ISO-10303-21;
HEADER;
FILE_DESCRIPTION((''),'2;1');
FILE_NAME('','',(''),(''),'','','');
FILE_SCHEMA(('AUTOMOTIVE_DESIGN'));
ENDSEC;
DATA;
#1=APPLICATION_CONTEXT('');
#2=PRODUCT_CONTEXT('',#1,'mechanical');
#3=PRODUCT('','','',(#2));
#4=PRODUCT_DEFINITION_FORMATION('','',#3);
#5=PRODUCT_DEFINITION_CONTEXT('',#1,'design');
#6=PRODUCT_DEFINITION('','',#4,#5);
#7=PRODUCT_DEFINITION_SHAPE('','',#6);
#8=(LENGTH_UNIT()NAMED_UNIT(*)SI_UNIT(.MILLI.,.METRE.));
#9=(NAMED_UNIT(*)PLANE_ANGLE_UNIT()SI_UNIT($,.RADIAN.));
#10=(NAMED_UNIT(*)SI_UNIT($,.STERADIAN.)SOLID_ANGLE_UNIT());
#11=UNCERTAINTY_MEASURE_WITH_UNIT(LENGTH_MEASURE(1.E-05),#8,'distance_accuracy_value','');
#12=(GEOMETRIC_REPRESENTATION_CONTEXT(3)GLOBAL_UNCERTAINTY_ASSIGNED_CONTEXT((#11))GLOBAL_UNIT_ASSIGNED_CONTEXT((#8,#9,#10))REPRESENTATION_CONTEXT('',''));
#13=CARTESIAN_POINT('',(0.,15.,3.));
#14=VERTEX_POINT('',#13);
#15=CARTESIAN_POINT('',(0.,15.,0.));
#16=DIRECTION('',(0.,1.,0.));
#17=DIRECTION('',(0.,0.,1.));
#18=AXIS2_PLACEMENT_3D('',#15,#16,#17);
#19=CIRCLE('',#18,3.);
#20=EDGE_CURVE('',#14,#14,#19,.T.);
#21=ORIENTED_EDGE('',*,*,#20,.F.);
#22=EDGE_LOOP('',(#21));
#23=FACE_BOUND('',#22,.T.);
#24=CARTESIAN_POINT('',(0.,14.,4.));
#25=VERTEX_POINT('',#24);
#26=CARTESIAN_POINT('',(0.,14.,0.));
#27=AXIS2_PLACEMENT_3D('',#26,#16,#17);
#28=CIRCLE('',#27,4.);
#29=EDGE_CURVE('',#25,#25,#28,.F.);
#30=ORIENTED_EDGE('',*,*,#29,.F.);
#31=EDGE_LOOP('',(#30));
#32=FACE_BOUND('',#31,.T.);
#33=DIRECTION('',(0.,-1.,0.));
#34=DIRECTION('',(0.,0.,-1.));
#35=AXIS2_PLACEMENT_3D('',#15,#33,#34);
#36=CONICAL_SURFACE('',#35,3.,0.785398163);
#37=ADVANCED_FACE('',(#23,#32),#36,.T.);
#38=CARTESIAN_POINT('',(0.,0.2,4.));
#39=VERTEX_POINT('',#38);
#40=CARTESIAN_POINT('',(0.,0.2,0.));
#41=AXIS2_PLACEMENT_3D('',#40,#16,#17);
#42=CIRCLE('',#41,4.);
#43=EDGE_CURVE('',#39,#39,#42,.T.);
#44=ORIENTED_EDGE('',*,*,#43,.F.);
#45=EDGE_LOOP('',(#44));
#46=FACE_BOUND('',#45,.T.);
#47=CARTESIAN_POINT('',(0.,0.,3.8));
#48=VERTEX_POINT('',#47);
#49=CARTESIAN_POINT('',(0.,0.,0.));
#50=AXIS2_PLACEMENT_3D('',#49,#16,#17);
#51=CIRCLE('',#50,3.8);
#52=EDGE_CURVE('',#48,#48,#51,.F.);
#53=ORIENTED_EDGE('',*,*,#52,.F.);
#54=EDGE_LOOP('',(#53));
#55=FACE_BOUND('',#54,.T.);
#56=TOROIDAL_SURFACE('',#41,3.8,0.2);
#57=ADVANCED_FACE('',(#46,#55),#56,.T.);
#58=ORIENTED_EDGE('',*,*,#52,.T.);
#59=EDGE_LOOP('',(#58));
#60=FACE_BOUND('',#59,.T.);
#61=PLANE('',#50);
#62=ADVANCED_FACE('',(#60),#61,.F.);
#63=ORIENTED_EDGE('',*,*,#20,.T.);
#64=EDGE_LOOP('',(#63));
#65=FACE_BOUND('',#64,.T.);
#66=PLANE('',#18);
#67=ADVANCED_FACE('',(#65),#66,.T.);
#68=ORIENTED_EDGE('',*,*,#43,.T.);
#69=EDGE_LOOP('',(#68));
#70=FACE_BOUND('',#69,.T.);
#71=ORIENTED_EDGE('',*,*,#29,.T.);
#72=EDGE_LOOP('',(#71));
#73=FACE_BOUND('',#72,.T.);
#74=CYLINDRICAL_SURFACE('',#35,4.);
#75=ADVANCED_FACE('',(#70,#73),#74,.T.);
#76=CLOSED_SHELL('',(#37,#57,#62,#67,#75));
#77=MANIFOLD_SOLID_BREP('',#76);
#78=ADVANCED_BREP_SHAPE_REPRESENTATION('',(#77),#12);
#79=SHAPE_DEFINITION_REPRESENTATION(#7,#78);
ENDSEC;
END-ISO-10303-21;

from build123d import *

# Parameters (mm, degrees)
SKETCH_1_R      = 4
EXTRUDE_1_DEPTH = 15
CHAMFER_1_SIZE  = 1
FILLET_1_R      = 0.2


with BuildPart() as part:
    # 草图1 → 凸台-拉伸1 (new body)
    with BuildSketch(Plane(origin=(0, 0, 0), x_dir=(1, 0, 0), z_dir=(0, 1, 0))):
        with Locations(Location((0, 0, 0), (0, 0, 270))):
            Circle(SKETCH_1_R)
    extrude(amount=EXTRUDE_1_DEPTH)

    # 倒角1
    chamfer_1_edges = [part.edges().sort_by_distance(p)[0] for p in [
        (0, 15, -4),
    ]]
    chamfer(chamfer_1_edges, length=CHAMFER_1_SIZE)

    # 圆角1
    fillet_1_edges = [part.edges().sort_by_distance(p)[0] for p in [
        (0, 0, -4),
    ]]
    fillet(fillet_1_edges, radius=FILLET_1_R)


solid = part.part
